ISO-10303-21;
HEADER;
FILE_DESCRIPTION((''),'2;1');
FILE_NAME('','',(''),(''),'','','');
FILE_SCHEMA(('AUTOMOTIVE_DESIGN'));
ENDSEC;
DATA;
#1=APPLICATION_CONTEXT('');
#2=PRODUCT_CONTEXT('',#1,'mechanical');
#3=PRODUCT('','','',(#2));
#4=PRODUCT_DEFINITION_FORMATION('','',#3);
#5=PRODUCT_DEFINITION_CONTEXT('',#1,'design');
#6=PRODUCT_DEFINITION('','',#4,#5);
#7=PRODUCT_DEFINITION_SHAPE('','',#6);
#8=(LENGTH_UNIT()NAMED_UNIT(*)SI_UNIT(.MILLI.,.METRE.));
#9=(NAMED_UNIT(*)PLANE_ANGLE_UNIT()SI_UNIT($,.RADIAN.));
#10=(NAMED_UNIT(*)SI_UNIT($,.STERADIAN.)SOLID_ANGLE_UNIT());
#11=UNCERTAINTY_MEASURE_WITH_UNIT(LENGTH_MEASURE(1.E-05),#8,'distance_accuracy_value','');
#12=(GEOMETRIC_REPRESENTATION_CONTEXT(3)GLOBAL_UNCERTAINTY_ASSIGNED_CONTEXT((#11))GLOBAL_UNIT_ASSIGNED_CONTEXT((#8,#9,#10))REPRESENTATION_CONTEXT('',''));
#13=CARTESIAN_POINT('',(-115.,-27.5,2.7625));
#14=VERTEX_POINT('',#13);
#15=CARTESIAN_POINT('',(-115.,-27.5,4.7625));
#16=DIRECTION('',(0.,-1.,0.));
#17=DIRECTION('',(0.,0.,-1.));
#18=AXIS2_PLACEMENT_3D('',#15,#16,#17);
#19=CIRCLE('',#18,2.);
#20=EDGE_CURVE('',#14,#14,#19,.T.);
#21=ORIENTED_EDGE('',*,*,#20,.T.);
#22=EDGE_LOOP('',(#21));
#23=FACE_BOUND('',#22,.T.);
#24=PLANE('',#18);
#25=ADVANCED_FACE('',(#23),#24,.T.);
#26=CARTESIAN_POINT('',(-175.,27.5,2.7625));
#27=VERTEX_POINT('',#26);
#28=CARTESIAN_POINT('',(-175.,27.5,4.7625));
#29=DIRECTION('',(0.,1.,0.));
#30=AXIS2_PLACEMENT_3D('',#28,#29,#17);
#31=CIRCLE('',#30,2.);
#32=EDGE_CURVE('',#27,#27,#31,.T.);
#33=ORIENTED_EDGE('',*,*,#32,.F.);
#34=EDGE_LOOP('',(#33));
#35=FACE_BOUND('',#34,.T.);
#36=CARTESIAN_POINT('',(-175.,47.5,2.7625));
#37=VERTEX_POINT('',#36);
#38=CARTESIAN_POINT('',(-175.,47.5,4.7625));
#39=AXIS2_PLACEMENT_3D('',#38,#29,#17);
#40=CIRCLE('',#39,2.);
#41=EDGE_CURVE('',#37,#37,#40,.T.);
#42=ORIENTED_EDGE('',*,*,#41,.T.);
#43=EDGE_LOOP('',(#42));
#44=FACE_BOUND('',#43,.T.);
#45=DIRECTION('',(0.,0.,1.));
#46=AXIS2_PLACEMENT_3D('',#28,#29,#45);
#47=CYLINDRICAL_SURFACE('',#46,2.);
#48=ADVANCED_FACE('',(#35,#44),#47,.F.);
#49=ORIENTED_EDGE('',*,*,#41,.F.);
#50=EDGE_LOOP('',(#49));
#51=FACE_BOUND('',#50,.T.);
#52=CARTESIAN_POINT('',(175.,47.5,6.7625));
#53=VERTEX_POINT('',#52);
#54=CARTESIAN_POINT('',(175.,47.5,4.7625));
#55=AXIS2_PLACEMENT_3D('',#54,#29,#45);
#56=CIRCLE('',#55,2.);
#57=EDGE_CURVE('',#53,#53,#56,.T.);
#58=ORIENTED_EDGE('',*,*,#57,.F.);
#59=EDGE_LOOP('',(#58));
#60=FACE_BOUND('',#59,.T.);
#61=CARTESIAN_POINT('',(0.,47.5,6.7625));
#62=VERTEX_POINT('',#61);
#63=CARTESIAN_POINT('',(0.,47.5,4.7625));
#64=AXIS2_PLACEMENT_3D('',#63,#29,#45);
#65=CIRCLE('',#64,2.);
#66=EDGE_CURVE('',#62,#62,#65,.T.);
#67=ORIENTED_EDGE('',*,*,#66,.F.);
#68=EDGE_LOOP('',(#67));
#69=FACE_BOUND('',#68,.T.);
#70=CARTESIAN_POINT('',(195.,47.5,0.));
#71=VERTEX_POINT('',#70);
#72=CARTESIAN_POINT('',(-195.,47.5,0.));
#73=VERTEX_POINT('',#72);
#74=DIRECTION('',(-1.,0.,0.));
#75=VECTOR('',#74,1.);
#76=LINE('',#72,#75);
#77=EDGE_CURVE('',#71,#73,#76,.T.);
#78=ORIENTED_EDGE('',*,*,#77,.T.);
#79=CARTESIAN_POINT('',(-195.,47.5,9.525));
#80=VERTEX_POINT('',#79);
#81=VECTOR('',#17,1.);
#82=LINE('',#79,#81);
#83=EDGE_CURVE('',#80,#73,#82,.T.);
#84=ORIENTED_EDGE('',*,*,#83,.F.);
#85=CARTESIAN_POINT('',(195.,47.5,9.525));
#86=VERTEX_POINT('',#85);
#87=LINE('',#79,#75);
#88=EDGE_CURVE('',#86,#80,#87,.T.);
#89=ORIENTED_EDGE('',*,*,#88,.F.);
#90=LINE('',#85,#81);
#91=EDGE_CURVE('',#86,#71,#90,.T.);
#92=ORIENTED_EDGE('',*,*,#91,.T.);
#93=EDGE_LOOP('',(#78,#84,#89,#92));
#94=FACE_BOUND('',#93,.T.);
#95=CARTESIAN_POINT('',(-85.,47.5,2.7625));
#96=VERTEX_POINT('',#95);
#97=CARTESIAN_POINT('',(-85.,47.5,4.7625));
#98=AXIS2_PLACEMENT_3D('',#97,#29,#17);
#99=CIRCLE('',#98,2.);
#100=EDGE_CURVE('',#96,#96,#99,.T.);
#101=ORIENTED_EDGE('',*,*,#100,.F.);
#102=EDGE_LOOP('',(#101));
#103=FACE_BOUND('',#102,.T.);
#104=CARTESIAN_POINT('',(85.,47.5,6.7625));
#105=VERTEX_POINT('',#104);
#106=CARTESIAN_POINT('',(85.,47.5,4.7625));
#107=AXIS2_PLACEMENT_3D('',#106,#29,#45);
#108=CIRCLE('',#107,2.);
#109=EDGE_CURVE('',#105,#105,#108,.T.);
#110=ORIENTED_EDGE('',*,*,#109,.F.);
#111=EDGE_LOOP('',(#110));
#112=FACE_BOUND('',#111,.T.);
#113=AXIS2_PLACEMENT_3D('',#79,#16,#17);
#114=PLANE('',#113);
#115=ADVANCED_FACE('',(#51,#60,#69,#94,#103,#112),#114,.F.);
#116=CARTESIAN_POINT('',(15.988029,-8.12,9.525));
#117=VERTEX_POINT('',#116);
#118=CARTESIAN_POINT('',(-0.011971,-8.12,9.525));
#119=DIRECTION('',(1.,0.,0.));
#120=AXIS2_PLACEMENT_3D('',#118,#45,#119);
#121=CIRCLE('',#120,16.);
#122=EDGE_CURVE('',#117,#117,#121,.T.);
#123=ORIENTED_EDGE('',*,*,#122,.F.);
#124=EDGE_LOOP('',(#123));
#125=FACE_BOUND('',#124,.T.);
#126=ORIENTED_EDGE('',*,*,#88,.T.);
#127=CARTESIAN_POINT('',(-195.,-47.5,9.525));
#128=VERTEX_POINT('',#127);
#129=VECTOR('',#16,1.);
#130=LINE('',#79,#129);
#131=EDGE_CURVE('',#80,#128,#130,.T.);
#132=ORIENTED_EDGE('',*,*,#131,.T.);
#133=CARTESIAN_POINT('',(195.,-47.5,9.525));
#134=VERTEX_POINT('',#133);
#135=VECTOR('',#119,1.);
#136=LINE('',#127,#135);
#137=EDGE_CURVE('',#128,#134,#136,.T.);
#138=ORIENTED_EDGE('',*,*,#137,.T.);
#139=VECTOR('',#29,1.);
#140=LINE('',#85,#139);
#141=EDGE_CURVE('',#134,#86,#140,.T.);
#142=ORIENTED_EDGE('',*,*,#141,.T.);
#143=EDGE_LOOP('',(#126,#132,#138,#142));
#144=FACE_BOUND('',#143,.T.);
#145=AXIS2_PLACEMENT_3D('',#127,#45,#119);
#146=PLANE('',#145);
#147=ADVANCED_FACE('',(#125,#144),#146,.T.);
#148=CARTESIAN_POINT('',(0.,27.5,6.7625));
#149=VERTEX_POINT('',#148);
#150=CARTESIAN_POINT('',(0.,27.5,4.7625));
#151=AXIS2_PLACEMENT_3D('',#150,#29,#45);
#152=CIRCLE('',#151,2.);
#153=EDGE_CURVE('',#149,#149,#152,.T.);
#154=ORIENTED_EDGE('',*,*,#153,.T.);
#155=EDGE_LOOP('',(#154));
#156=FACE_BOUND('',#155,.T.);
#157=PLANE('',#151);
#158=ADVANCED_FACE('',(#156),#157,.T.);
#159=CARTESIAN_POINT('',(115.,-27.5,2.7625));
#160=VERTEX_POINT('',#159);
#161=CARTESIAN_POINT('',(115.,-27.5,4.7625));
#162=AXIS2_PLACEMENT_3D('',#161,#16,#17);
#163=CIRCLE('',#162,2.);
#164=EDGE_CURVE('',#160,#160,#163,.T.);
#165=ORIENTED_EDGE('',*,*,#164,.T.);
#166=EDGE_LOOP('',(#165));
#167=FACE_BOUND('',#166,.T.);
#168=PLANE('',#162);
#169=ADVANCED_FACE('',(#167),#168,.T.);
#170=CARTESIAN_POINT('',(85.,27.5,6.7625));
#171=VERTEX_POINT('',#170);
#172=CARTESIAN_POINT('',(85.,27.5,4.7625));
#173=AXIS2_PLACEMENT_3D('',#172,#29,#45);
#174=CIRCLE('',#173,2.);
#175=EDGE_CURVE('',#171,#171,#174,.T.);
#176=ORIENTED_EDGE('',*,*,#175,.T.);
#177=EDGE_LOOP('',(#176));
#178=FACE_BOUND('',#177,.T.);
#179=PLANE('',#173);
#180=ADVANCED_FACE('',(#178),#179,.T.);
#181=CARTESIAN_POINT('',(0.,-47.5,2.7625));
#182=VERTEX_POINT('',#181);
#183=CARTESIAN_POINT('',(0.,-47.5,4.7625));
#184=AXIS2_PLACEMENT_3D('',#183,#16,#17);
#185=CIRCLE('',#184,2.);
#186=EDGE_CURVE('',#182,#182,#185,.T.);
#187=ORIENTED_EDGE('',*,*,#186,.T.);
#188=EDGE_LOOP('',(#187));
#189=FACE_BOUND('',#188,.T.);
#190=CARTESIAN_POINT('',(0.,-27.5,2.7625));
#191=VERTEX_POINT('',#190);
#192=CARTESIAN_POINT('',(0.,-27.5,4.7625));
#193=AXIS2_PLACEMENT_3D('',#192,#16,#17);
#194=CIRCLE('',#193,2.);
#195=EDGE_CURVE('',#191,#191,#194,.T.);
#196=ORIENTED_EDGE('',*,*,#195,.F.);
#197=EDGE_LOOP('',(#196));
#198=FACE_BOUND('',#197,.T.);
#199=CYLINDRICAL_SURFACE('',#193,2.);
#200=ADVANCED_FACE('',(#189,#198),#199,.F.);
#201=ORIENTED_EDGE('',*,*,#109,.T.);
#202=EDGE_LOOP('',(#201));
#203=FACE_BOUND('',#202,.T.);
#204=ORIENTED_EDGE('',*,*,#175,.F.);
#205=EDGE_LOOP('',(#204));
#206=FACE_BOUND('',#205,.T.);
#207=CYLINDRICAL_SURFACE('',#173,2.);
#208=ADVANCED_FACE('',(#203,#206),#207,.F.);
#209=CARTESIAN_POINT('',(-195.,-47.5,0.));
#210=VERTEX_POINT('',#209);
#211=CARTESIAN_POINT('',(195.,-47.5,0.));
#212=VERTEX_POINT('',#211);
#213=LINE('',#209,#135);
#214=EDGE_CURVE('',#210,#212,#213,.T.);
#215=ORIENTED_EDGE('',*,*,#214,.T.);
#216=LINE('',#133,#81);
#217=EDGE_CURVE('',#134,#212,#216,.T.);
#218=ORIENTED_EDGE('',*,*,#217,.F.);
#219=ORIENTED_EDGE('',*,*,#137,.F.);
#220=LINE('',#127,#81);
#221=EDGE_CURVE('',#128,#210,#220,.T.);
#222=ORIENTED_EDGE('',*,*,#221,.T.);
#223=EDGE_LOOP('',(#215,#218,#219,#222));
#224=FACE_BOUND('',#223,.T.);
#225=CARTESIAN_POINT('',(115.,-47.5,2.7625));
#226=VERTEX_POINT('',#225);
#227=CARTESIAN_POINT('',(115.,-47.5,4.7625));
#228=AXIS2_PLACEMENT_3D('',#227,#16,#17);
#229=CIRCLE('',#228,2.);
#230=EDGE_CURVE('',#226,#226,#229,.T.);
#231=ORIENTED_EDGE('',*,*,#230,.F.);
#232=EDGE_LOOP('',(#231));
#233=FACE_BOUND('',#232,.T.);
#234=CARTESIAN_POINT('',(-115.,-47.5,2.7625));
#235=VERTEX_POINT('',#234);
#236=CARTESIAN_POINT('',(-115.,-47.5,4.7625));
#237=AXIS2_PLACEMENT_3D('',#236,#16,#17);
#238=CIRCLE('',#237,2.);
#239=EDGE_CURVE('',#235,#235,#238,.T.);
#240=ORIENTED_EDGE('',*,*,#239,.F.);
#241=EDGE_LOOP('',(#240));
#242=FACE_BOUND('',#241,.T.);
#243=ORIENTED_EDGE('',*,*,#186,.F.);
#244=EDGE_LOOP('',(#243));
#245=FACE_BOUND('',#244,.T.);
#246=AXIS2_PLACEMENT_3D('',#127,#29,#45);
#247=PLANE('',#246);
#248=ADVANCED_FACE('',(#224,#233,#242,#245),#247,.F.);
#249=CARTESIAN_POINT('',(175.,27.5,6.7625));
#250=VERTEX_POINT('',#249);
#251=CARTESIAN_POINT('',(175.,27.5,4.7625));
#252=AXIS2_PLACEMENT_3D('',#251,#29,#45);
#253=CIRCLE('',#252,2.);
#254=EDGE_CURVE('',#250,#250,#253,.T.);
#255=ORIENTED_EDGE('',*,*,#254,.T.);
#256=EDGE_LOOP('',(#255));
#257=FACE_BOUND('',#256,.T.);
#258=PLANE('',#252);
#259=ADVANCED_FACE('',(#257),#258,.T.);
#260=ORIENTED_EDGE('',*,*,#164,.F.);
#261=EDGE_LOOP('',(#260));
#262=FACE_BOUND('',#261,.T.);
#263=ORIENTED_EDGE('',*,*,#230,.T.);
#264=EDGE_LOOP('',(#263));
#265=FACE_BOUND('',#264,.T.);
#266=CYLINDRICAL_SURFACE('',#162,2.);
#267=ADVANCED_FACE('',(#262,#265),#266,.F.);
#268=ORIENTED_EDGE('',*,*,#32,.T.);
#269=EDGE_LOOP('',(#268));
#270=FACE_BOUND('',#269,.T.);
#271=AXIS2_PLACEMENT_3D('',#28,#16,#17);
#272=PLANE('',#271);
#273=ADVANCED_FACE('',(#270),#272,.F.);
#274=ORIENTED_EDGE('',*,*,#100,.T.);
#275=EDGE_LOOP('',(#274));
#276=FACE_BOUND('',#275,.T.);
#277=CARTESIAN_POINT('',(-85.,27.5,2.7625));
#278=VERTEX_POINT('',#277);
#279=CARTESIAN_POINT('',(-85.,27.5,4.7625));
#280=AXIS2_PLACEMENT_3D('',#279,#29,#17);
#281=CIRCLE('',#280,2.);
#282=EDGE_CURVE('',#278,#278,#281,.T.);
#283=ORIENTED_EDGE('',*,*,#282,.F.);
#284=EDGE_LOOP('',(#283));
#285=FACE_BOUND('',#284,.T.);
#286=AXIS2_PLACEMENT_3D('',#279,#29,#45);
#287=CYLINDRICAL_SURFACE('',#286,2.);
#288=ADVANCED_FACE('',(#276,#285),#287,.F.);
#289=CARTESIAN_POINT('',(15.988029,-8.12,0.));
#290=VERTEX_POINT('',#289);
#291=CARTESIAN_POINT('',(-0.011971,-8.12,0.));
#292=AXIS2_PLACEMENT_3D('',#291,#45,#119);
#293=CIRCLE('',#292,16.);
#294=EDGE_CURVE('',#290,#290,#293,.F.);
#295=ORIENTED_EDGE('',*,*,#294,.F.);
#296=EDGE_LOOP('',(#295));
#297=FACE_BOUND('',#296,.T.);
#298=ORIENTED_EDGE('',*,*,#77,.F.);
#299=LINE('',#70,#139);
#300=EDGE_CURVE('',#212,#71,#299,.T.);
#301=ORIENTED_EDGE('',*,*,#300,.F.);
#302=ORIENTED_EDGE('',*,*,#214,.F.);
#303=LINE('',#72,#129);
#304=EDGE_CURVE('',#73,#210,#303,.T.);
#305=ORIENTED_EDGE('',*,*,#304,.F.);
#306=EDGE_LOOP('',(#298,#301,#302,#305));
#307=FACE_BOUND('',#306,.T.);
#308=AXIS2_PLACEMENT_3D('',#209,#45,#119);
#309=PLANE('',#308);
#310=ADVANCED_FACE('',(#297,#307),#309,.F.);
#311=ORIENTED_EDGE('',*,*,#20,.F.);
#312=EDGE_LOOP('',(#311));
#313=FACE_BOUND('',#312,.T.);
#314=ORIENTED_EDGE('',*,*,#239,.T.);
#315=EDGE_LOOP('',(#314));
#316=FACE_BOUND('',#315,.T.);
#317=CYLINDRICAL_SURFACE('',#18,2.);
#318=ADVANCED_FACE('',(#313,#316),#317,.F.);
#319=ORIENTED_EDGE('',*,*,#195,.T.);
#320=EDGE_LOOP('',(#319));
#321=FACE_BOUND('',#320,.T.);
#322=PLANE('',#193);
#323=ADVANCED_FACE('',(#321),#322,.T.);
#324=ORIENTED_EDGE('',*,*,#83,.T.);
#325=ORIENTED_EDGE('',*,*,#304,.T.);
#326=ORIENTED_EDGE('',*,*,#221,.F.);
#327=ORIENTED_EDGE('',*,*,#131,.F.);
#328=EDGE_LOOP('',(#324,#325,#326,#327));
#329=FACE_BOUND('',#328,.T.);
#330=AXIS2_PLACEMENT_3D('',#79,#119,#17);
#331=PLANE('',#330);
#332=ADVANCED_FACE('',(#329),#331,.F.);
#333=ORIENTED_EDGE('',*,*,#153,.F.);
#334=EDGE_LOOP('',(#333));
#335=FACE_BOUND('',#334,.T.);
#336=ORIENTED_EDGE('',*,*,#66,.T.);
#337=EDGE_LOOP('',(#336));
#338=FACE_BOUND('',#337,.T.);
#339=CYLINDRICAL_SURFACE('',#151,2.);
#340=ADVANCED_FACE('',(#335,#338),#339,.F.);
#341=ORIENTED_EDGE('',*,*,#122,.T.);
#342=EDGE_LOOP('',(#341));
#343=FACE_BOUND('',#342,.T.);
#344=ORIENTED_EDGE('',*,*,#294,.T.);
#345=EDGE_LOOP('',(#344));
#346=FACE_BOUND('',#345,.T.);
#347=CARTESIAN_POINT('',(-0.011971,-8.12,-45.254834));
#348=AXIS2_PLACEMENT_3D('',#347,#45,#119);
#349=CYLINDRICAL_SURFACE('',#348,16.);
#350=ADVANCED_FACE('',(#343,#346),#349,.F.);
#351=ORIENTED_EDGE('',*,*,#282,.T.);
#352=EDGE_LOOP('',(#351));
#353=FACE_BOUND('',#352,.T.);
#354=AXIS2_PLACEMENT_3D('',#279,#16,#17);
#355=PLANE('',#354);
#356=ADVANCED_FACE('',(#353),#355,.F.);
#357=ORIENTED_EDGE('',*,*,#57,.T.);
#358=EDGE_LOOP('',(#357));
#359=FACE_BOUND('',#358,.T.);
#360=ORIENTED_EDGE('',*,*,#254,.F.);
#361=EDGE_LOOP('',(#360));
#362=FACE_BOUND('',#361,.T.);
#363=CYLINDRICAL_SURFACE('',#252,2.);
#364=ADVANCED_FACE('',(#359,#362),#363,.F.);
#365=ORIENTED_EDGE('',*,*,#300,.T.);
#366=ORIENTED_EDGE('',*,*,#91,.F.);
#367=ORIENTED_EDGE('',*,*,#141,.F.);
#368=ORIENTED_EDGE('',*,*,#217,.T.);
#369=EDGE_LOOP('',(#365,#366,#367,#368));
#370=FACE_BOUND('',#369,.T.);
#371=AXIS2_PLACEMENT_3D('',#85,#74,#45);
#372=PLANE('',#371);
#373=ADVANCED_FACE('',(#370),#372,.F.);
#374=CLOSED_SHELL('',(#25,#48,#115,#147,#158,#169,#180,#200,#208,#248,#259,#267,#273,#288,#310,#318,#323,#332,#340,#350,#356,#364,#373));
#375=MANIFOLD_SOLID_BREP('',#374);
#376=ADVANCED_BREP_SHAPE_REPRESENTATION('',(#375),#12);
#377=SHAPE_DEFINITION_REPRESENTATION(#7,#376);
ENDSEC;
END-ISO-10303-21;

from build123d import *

# Parameters (mm, degrees)
ESBO_O1_W                  = 390
ESBO_O1_H                  = 95
RESSALTO_EXTRUS_O1_DEPTH   = 9.525
ESBO_O3_R                  = 16
CIRCULO_DE_ROLAMENTO_DEPTH = 9.525
ESBO_O4_R                  = 2
CORTE_EXTRUS_O3_DEPTH      = 20
CORTE_EXTRUS_O4_START      = -20
ESBO_O5_R                  = 2
CORTE_EXTRUS_O4_DEPTH      = 20


with BuildPart() as part:
    # Esboço1 → Ressalto-extrusão1 (new body)
    with BuildSketch(Plane.XY):
        Rectangle(ESBO_O1_W, ESBO_O1_H)
    extrude(amount=RESSALTO_EXTRUS_O1_DEPTH)

    # Esboço3 → Circulo de rolamento (cut)
    with BuildSketch(Plane.XY.offset(9.525)):
        with Locations((-0.011971039, -8.12)):
            Circle(ESBO_O3_R)
    extrude(amount=-CIRCULO_DE_ROLAMENTO_DEPTH, mode=Mode.SUBTRACT)

    # Esboço4 → Corte-extrusão3 (cut)
    with BuildSketch(Plane(origin=(0, 47.5, 0), x_dir=(1, 0, 0), z_dir=(0, 1, 0))):
        with Locations(Location((175, -4.7625, 0), (0, 0, 270))):
            Circle(ESBO_O4_R)
        with Locations(Location((85, -4.7625, 0), (0, 0, 270))):
            Circle(ESBO_O4_R)
        with Locations(Location((0, -4.7625, 0), (0, 0, 270))):
            Circle(ESBO_O4_R)
        with Locations(Location((-175, -4.7625, 0), (0, 0, 90))):
            Circle(ESBO_O4_R)
        with Locations(Location((-85, -4.7625, 0), (0, 0, 90))):
            Circle(ESBO_O4_R)
    extrude(amount=-CORTE_EXTRUS_O3_DEPTH, mode=Mode.SUBTRACT)

    # Esboço5 → Corte-extrusão4 (cut)
    with BuildSketch(Plane.XZ.offset(47.5).offset(CORTE_EXTRUS_O4_START)):
        with Locations(Location((0, 4.7625, 0), (0, 0, 90))):
            Circle(ESBO_O5_R)
        with Locations(Location((-115, 4.7625, 0), (0, 0, 270))):
            Circle(ESBO_O5_R)
        with Locations(Location((115, 4.7625, 0), (0, 0, 270))):
            Circle(ESBO_O5_R)
    extrude(amount=CORTE_EXTRUS_O4_DEPTH, mode=Mode.SUBTRACT)


solid = part.part
